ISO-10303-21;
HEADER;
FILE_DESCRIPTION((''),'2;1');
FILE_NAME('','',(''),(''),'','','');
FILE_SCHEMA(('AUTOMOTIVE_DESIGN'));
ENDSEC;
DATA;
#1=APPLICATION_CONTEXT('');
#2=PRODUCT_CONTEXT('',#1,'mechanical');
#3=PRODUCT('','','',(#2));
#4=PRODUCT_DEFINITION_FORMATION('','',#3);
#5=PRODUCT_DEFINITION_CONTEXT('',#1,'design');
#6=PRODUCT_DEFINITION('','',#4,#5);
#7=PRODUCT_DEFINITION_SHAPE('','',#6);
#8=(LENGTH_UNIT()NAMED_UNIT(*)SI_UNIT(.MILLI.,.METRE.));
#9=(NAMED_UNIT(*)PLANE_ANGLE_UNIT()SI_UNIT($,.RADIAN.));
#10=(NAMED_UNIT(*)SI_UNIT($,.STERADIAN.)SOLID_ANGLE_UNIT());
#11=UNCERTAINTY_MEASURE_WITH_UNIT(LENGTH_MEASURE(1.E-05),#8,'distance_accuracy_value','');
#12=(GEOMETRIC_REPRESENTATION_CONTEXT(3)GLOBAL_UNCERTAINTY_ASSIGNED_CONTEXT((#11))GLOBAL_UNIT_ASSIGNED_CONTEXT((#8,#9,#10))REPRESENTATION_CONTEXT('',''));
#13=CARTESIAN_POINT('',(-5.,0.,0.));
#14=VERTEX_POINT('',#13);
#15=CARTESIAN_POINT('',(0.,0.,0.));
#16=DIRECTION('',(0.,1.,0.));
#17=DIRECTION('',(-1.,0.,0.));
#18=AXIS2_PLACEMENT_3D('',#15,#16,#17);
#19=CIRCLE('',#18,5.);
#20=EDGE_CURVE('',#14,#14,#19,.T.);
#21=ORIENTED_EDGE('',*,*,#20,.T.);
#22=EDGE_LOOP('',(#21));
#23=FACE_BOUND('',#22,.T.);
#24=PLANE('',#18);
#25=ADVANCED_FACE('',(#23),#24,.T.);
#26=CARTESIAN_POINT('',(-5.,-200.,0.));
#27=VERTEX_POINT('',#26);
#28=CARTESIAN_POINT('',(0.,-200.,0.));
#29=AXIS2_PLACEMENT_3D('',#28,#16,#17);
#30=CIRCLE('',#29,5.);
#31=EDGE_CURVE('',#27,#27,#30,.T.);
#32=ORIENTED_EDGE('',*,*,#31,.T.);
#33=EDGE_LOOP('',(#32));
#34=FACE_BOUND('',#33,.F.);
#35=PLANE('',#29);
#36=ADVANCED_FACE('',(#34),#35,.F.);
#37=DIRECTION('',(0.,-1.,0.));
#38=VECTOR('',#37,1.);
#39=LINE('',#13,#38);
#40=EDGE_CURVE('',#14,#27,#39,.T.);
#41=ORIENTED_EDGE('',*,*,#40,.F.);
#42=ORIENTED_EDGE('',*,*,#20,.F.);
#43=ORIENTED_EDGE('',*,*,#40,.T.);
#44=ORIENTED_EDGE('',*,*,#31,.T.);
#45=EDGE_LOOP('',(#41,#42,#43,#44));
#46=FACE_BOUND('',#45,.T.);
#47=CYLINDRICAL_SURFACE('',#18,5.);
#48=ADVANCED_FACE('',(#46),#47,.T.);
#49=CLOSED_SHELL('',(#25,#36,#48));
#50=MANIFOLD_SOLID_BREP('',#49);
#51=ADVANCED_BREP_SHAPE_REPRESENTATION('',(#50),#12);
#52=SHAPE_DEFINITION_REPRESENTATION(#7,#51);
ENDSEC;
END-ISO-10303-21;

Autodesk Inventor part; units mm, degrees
ref_plane "YZ Plane" through (0, 0, 0) normal (1, 0, 0) x (0, 1, 0)
ref_plane "XZ Plane" through (0, 0, 0) normal (0, 1, 0) x (-1, 0, 0)
ref_plane "XY Plane" through (0, 0, 0) normal (0, 0, 1) x (1, 0, 0)
sketch "Sketch9" plane through (0, 0, 0) normal (0, 1, 0) x (-1, 0, 0)
  circle A0 centre (0, 0) radius 5
  dimension "d187" = 10
extrude "Extrusion3" add sketch "Sketch9" against normal blind 200
properties part number "TKS 3578 FDS support pin" material "Stainless Steel"
